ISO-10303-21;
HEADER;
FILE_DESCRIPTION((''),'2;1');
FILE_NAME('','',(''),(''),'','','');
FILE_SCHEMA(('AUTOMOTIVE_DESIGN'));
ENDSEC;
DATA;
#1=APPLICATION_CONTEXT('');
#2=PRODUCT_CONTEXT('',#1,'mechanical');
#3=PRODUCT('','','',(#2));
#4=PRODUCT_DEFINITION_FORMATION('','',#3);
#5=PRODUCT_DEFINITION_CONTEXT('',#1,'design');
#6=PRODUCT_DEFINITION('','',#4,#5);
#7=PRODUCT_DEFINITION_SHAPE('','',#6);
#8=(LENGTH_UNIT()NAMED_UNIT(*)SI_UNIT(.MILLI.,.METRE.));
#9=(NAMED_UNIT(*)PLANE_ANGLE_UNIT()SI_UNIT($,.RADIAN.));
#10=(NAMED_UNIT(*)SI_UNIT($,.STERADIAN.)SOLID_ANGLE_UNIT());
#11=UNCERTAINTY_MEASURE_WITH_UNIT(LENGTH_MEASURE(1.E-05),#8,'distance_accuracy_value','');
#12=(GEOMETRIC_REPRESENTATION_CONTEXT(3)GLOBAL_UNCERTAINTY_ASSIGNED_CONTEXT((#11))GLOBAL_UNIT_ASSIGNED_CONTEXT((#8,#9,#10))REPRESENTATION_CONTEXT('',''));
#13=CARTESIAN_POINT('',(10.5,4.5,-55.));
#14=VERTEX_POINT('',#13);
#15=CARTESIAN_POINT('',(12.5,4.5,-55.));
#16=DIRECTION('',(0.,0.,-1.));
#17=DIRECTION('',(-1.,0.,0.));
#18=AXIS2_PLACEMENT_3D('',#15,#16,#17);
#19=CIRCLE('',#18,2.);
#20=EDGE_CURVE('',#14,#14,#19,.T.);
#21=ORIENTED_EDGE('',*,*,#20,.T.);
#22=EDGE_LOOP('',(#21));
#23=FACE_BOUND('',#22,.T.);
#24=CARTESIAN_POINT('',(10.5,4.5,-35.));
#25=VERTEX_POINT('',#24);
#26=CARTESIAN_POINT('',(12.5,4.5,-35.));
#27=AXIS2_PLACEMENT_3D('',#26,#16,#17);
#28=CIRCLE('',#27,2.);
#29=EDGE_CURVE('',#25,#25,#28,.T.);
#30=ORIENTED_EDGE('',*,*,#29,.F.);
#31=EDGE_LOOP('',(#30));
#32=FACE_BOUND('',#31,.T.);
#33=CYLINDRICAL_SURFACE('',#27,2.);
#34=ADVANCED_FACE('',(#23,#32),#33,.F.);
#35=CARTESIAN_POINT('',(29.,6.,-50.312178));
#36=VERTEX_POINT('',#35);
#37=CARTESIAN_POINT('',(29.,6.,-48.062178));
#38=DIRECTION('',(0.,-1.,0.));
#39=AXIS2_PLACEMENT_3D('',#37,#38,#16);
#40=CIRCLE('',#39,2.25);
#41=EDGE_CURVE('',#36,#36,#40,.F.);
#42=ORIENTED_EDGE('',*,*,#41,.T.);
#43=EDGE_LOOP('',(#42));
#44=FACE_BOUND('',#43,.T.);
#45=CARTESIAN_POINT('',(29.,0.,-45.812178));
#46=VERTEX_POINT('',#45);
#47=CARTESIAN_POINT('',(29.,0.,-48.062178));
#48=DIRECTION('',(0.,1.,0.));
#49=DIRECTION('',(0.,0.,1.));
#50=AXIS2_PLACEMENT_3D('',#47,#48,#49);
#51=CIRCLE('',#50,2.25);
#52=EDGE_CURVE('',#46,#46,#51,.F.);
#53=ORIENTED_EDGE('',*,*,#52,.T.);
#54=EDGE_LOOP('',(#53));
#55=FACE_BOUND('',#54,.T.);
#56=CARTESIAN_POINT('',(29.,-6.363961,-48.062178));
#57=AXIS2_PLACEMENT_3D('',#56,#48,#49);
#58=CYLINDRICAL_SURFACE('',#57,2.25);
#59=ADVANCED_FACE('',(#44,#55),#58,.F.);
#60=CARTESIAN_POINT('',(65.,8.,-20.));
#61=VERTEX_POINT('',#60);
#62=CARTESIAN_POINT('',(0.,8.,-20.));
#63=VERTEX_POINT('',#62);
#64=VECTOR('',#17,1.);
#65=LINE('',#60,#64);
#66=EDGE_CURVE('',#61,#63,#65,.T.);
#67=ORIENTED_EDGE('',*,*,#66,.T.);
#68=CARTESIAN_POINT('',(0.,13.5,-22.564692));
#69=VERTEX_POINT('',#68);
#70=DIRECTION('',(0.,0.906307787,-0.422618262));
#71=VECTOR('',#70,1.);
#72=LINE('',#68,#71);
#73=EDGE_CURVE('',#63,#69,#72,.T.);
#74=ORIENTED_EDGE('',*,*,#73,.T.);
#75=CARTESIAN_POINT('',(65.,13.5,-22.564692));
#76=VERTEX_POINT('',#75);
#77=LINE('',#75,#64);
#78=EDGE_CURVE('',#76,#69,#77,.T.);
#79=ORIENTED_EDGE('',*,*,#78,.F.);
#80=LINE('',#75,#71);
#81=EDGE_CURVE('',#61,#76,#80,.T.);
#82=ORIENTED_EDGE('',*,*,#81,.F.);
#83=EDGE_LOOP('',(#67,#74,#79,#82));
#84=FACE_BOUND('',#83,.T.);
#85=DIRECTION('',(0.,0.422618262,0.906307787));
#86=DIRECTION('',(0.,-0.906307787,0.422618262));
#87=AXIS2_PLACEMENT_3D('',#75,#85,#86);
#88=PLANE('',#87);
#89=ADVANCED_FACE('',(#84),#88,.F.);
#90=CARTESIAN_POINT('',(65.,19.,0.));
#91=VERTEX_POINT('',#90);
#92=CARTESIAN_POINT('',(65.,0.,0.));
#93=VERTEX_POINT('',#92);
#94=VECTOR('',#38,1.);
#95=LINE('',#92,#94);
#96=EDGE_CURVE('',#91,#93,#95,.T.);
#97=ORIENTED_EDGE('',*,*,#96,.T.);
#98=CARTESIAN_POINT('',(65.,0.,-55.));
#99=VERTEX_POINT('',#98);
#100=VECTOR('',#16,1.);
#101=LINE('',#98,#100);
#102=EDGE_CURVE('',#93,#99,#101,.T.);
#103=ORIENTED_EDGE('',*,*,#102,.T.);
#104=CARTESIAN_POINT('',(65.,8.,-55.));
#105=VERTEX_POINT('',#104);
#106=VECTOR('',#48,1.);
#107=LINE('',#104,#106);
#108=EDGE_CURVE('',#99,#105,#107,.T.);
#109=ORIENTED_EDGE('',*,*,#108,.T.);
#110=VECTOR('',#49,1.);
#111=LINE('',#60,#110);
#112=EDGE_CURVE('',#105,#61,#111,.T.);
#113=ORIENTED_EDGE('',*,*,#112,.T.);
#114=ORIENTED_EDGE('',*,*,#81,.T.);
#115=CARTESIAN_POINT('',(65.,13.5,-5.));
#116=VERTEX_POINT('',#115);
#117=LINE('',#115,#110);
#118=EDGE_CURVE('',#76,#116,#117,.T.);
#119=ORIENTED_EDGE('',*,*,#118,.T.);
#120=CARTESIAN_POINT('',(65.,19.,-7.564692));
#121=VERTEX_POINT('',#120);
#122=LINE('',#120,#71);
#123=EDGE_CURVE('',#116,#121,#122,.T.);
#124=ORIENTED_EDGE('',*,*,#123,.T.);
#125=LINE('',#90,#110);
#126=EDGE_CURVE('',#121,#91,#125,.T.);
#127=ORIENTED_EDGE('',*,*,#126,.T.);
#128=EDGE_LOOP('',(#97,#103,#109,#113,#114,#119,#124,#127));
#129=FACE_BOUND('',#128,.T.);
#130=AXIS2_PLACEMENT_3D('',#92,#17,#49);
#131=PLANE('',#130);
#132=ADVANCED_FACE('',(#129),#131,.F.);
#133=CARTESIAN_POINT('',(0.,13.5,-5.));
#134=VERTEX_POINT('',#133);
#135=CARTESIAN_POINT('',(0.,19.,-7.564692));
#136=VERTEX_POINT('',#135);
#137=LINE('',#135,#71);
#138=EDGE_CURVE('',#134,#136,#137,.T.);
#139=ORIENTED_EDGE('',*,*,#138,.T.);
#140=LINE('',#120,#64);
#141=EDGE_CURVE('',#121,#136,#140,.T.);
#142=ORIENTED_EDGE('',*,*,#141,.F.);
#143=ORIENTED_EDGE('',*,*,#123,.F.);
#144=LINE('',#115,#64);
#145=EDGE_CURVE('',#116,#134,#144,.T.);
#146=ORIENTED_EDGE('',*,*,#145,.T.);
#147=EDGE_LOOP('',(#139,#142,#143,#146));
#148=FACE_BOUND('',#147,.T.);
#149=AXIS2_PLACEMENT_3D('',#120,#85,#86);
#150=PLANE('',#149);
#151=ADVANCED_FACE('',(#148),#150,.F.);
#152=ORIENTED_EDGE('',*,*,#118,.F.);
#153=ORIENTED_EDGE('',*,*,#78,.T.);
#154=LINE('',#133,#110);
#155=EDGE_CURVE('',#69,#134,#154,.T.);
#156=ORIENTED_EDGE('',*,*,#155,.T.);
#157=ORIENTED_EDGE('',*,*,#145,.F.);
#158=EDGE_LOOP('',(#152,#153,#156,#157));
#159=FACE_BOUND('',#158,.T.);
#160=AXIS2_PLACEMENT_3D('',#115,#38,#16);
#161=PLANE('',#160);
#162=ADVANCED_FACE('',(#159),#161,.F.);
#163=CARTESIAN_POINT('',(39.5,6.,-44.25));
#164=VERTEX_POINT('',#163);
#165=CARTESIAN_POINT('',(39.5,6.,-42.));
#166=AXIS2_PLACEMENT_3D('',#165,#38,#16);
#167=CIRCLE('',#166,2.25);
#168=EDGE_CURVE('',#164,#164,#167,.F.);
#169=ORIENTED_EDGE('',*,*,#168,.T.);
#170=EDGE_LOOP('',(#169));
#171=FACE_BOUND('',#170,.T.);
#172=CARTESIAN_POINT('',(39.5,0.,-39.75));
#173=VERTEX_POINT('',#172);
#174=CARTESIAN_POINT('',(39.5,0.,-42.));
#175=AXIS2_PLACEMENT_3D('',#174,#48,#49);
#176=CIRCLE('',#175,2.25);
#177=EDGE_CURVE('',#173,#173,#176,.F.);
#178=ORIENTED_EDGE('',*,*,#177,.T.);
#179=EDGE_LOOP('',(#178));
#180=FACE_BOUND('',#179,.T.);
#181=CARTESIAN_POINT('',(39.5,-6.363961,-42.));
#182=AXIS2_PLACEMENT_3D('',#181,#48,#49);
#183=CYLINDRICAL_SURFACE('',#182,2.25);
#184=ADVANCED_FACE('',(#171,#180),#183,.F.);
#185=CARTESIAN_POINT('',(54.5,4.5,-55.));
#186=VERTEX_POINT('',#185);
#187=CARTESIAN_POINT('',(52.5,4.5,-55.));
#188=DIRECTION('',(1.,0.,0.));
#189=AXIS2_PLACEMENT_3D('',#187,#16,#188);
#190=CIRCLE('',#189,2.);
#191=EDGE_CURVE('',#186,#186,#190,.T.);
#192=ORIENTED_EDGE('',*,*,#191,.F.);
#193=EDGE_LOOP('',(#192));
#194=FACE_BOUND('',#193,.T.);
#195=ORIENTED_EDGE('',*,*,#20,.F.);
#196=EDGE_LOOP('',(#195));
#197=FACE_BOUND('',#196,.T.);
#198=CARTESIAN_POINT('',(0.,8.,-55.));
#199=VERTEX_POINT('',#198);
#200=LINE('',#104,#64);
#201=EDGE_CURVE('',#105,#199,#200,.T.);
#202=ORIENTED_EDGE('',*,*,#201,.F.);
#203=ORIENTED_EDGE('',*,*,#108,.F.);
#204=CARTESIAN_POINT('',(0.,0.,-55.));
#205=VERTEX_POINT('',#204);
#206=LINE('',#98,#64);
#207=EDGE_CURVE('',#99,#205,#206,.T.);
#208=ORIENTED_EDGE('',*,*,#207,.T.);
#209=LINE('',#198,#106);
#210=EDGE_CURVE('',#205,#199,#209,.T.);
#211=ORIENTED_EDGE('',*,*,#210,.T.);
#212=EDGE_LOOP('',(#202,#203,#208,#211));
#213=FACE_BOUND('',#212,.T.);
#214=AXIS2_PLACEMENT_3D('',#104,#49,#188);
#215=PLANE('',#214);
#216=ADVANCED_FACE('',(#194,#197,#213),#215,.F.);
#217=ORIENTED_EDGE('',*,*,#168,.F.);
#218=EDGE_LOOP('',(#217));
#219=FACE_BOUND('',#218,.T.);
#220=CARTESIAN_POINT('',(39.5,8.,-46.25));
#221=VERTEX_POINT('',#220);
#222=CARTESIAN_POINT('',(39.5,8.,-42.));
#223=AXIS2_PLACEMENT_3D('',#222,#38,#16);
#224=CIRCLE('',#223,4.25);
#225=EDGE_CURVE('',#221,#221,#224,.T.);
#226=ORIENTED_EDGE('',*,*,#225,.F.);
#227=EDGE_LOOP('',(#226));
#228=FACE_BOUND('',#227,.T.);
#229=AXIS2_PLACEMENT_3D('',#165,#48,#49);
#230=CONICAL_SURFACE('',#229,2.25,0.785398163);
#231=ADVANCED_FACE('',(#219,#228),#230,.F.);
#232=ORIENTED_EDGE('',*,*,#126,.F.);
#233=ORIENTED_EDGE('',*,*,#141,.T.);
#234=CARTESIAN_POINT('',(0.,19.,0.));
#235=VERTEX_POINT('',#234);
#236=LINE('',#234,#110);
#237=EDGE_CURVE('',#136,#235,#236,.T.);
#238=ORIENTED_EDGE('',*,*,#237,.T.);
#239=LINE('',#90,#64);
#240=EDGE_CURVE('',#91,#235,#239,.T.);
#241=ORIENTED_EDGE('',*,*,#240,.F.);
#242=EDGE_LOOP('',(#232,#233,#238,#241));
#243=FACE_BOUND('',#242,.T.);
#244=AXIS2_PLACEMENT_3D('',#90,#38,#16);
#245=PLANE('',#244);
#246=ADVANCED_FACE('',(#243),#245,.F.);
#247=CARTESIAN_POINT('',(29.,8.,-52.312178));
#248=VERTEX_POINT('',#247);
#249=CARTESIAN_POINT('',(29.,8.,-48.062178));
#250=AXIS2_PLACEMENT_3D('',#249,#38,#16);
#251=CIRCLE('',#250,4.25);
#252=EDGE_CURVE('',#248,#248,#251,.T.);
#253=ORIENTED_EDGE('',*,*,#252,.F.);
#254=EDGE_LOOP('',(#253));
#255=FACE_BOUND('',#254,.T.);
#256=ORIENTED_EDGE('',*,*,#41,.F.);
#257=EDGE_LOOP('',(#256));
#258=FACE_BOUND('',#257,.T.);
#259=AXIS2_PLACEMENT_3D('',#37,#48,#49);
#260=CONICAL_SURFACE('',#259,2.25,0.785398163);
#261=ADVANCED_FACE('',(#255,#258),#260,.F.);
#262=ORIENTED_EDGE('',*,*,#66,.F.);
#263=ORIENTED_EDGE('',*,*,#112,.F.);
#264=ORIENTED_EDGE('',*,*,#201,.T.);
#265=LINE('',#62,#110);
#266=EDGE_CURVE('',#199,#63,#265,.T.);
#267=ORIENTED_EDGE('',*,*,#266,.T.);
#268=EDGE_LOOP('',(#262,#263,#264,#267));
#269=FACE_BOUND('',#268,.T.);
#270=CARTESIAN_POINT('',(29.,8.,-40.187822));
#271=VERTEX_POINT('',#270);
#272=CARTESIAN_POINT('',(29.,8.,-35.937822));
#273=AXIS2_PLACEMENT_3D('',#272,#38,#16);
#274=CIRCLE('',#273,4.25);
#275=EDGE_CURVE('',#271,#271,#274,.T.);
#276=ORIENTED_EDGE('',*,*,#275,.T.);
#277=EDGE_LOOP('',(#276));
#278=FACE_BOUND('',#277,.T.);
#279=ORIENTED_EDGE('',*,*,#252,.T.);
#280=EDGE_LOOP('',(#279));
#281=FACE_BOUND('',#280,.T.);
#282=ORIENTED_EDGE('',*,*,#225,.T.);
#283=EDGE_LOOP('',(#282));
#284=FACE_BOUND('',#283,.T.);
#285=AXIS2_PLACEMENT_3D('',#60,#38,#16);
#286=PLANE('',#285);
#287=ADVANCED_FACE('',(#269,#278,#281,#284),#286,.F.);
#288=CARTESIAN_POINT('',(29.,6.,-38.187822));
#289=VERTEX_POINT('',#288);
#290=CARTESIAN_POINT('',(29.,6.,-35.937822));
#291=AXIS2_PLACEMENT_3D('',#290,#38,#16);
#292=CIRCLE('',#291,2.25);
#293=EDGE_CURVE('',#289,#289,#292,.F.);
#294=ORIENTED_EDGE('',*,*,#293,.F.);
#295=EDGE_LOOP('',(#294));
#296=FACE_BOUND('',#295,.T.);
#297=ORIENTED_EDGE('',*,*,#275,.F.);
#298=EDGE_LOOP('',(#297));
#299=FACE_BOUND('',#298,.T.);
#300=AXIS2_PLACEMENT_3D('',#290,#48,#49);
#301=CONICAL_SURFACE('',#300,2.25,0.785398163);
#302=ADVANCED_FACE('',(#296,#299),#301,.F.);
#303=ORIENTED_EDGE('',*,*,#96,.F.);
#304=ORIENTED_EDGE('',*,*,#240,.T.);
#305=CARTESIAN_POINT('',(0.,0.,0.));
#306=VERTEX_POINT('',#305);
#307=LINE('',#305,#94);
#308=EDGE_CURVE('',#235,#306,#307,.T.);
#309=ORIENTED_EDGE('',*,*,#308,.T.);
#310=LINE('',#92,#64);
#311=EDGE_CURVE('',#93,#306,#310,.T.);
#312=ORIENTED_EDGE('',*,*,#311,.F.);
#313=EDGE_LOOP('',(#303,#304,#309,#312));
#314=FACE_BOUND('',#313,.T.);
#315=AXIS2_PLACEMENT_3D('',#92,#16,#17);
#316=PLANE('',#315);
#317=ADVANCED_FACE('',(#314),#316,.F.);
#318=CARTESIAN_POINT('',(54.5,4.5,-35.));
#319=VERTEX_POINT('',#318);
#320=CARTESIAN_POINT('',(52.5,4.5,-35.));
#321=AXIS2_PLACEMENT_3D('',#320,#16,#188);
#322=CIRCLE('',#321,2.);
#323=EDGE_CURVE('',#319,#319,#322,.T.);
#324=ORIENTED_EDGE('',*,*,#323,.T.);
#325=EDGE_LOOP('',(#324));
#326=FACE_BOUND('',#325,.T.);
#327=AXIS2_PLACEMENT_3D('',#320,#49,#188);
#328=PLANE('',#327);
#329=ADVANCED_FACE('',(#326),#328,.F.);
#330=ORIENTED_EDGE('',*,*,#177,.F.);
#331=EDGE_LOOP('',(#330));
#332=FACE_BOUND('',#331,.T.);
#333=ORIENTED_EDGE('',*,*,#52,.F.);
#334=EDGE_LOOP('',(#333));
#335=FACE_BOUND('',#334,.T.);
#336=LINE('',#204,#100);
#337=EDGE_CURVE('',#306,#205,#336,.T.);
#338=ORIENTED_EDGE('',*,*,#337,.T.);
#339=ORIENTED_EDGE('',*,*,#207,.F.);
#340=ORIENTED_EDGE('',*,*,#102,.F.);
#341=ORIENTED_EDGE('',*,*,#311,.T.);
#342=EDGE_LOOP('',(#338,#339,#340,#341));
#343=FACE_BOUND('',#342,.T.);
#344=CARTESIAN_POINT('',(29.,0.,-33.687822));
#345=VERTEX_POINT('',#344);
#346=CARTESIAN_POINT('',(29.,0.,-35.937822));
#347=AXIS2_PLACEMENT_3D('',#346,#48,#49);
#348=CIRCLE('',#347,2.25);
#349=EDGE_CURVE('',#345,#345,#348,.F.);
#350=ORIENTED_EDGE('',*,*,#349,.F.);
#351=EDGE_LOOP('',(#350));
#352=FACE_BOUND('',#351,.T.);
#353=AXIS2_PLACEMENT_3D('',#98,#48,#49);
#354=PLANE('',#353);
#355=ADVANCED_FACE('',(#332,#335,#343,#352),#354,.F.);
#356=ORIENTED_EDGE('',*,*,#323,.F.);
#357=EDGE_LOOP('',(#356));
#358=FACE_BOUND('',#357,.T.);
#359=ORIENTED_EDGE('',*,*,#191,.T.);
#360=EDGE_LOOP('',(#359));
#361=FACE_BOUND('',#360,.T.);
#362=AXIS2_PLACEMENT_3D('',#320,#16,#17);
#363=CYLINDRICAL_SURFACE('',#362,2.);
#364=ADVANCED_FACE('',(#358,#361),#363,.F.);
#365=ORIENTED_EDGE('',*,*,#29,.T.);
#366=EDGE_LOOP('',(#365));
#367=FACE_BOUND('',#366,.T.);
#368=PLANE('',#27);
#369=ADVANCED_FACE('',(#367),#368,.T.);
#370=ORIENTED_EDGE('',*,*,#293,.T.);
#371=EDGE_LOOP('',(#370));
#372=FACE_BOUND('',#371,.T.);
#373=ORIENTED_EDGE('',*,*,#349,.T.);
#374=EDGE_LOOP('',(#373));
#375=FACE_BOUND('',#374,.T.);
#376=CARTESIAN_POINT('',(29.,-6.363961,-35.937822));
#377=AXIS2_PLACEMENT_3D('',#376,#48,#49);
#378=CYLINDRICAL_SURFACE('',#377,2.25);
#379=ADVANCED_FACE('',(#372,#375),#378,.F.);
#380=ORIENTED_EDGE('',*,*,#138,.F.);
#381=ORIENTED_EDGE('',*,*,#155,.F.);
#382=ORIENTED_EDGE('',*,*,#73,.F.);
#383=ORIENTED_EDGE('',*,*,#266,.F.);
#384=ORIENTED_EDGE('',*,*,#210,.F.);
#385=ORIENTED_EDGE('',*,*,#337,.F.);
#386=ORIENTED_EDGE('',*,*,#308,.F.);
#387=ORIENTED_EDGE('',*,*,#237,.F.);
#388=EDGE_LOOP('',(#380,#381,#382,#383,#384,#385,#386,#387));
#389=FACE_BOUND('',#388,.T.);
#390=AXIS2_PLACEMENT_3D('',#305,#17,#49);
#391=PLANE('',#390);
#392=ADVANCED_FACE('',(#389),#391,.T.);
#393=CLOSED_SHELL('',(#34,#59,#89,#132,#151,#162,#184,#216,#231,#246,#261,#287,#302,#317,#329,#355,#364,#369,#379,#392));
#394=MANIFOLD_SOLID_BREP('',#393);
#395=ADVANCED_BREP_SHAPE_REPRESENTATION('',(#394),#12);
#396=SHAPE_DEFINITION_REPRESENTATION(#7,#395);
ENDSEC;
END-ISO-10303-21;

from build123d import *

# Parameters (mm, degrees)
BOSS_EXTRUDE1_DEPTH = 65
SKETCH2_R           = 2
M_DRILL_DEPTH       = 20
SKETCH3_R           = 2.25
M4_THROUGH_DEPTH    = 8
CHAMFER1_SIZE       = 2


with BuildPart() as part:
    # Sketch1 → Boss-Extrude1 (new body)
    with BuildSketch(Plane(origin=(0, 0, 0), x_dir=(0, 0, -1), z_dir=(1, 0, 0))):
        Polygon((0, 0), (0, 19), (7.56469212, 19), (5, 13.5), (22.56469212, 13.5), (20, 8), (55, 8), (55, 0), align=None)
    extrude(amount=BOSS_EXTRUDE1_DEPTH)

    # Sketch2 → M$_DRILL (cut)
    with BuildSketch(Plane(origin=(0, 0, -55), x_dir=(-1, 0, 0), z_dir=(0, 0, -1))):
        with Locations((-12.5, 4.5)):
            Circle(SKETCH2_R)
        with Locations(Location((-52.5, 4.5, 0), (0, 0, 180))):
            Circle(SKETCH2_R)
    extrude(amount=-M_DRILL_DEPTH, mode=Mode.SUBTRACT)

    # Sketch3 → M4_through (cut)
    with BuildSketch(Plane(origin=(0, 8, 0), x_dir=(1, 0, 0), z_dir=(0, 1, 0))):
        with Locations(Location((39.5, 42, 0), (0, 0, 270))):
            Circle(SKETCH3_R)
        with Locations(Location((29, 35.937822174, 0), (0, 0, 270))):
            Circle(SKETCH3_R)
        with Locations(Location((29, 48.062177826, 0), (0, 0, 270))):
            Circle(SKETCH3_R)
    extrude(amount=-M4_THROUGH_DEPTH, mode=Mode.SUBTRACT)

    # Chamfer1
    chamfer1_edges = [part.edges().sort_by_distance(p)[0] for p in [
        (39.5, 8, -44.25),
        (29, 8, -38.187822174),
        (29, 8, -50.312177826),
    ]]
    chamfer(chamfer1_edges, length=CHAMFER1_SIZE)


solid = part.part
